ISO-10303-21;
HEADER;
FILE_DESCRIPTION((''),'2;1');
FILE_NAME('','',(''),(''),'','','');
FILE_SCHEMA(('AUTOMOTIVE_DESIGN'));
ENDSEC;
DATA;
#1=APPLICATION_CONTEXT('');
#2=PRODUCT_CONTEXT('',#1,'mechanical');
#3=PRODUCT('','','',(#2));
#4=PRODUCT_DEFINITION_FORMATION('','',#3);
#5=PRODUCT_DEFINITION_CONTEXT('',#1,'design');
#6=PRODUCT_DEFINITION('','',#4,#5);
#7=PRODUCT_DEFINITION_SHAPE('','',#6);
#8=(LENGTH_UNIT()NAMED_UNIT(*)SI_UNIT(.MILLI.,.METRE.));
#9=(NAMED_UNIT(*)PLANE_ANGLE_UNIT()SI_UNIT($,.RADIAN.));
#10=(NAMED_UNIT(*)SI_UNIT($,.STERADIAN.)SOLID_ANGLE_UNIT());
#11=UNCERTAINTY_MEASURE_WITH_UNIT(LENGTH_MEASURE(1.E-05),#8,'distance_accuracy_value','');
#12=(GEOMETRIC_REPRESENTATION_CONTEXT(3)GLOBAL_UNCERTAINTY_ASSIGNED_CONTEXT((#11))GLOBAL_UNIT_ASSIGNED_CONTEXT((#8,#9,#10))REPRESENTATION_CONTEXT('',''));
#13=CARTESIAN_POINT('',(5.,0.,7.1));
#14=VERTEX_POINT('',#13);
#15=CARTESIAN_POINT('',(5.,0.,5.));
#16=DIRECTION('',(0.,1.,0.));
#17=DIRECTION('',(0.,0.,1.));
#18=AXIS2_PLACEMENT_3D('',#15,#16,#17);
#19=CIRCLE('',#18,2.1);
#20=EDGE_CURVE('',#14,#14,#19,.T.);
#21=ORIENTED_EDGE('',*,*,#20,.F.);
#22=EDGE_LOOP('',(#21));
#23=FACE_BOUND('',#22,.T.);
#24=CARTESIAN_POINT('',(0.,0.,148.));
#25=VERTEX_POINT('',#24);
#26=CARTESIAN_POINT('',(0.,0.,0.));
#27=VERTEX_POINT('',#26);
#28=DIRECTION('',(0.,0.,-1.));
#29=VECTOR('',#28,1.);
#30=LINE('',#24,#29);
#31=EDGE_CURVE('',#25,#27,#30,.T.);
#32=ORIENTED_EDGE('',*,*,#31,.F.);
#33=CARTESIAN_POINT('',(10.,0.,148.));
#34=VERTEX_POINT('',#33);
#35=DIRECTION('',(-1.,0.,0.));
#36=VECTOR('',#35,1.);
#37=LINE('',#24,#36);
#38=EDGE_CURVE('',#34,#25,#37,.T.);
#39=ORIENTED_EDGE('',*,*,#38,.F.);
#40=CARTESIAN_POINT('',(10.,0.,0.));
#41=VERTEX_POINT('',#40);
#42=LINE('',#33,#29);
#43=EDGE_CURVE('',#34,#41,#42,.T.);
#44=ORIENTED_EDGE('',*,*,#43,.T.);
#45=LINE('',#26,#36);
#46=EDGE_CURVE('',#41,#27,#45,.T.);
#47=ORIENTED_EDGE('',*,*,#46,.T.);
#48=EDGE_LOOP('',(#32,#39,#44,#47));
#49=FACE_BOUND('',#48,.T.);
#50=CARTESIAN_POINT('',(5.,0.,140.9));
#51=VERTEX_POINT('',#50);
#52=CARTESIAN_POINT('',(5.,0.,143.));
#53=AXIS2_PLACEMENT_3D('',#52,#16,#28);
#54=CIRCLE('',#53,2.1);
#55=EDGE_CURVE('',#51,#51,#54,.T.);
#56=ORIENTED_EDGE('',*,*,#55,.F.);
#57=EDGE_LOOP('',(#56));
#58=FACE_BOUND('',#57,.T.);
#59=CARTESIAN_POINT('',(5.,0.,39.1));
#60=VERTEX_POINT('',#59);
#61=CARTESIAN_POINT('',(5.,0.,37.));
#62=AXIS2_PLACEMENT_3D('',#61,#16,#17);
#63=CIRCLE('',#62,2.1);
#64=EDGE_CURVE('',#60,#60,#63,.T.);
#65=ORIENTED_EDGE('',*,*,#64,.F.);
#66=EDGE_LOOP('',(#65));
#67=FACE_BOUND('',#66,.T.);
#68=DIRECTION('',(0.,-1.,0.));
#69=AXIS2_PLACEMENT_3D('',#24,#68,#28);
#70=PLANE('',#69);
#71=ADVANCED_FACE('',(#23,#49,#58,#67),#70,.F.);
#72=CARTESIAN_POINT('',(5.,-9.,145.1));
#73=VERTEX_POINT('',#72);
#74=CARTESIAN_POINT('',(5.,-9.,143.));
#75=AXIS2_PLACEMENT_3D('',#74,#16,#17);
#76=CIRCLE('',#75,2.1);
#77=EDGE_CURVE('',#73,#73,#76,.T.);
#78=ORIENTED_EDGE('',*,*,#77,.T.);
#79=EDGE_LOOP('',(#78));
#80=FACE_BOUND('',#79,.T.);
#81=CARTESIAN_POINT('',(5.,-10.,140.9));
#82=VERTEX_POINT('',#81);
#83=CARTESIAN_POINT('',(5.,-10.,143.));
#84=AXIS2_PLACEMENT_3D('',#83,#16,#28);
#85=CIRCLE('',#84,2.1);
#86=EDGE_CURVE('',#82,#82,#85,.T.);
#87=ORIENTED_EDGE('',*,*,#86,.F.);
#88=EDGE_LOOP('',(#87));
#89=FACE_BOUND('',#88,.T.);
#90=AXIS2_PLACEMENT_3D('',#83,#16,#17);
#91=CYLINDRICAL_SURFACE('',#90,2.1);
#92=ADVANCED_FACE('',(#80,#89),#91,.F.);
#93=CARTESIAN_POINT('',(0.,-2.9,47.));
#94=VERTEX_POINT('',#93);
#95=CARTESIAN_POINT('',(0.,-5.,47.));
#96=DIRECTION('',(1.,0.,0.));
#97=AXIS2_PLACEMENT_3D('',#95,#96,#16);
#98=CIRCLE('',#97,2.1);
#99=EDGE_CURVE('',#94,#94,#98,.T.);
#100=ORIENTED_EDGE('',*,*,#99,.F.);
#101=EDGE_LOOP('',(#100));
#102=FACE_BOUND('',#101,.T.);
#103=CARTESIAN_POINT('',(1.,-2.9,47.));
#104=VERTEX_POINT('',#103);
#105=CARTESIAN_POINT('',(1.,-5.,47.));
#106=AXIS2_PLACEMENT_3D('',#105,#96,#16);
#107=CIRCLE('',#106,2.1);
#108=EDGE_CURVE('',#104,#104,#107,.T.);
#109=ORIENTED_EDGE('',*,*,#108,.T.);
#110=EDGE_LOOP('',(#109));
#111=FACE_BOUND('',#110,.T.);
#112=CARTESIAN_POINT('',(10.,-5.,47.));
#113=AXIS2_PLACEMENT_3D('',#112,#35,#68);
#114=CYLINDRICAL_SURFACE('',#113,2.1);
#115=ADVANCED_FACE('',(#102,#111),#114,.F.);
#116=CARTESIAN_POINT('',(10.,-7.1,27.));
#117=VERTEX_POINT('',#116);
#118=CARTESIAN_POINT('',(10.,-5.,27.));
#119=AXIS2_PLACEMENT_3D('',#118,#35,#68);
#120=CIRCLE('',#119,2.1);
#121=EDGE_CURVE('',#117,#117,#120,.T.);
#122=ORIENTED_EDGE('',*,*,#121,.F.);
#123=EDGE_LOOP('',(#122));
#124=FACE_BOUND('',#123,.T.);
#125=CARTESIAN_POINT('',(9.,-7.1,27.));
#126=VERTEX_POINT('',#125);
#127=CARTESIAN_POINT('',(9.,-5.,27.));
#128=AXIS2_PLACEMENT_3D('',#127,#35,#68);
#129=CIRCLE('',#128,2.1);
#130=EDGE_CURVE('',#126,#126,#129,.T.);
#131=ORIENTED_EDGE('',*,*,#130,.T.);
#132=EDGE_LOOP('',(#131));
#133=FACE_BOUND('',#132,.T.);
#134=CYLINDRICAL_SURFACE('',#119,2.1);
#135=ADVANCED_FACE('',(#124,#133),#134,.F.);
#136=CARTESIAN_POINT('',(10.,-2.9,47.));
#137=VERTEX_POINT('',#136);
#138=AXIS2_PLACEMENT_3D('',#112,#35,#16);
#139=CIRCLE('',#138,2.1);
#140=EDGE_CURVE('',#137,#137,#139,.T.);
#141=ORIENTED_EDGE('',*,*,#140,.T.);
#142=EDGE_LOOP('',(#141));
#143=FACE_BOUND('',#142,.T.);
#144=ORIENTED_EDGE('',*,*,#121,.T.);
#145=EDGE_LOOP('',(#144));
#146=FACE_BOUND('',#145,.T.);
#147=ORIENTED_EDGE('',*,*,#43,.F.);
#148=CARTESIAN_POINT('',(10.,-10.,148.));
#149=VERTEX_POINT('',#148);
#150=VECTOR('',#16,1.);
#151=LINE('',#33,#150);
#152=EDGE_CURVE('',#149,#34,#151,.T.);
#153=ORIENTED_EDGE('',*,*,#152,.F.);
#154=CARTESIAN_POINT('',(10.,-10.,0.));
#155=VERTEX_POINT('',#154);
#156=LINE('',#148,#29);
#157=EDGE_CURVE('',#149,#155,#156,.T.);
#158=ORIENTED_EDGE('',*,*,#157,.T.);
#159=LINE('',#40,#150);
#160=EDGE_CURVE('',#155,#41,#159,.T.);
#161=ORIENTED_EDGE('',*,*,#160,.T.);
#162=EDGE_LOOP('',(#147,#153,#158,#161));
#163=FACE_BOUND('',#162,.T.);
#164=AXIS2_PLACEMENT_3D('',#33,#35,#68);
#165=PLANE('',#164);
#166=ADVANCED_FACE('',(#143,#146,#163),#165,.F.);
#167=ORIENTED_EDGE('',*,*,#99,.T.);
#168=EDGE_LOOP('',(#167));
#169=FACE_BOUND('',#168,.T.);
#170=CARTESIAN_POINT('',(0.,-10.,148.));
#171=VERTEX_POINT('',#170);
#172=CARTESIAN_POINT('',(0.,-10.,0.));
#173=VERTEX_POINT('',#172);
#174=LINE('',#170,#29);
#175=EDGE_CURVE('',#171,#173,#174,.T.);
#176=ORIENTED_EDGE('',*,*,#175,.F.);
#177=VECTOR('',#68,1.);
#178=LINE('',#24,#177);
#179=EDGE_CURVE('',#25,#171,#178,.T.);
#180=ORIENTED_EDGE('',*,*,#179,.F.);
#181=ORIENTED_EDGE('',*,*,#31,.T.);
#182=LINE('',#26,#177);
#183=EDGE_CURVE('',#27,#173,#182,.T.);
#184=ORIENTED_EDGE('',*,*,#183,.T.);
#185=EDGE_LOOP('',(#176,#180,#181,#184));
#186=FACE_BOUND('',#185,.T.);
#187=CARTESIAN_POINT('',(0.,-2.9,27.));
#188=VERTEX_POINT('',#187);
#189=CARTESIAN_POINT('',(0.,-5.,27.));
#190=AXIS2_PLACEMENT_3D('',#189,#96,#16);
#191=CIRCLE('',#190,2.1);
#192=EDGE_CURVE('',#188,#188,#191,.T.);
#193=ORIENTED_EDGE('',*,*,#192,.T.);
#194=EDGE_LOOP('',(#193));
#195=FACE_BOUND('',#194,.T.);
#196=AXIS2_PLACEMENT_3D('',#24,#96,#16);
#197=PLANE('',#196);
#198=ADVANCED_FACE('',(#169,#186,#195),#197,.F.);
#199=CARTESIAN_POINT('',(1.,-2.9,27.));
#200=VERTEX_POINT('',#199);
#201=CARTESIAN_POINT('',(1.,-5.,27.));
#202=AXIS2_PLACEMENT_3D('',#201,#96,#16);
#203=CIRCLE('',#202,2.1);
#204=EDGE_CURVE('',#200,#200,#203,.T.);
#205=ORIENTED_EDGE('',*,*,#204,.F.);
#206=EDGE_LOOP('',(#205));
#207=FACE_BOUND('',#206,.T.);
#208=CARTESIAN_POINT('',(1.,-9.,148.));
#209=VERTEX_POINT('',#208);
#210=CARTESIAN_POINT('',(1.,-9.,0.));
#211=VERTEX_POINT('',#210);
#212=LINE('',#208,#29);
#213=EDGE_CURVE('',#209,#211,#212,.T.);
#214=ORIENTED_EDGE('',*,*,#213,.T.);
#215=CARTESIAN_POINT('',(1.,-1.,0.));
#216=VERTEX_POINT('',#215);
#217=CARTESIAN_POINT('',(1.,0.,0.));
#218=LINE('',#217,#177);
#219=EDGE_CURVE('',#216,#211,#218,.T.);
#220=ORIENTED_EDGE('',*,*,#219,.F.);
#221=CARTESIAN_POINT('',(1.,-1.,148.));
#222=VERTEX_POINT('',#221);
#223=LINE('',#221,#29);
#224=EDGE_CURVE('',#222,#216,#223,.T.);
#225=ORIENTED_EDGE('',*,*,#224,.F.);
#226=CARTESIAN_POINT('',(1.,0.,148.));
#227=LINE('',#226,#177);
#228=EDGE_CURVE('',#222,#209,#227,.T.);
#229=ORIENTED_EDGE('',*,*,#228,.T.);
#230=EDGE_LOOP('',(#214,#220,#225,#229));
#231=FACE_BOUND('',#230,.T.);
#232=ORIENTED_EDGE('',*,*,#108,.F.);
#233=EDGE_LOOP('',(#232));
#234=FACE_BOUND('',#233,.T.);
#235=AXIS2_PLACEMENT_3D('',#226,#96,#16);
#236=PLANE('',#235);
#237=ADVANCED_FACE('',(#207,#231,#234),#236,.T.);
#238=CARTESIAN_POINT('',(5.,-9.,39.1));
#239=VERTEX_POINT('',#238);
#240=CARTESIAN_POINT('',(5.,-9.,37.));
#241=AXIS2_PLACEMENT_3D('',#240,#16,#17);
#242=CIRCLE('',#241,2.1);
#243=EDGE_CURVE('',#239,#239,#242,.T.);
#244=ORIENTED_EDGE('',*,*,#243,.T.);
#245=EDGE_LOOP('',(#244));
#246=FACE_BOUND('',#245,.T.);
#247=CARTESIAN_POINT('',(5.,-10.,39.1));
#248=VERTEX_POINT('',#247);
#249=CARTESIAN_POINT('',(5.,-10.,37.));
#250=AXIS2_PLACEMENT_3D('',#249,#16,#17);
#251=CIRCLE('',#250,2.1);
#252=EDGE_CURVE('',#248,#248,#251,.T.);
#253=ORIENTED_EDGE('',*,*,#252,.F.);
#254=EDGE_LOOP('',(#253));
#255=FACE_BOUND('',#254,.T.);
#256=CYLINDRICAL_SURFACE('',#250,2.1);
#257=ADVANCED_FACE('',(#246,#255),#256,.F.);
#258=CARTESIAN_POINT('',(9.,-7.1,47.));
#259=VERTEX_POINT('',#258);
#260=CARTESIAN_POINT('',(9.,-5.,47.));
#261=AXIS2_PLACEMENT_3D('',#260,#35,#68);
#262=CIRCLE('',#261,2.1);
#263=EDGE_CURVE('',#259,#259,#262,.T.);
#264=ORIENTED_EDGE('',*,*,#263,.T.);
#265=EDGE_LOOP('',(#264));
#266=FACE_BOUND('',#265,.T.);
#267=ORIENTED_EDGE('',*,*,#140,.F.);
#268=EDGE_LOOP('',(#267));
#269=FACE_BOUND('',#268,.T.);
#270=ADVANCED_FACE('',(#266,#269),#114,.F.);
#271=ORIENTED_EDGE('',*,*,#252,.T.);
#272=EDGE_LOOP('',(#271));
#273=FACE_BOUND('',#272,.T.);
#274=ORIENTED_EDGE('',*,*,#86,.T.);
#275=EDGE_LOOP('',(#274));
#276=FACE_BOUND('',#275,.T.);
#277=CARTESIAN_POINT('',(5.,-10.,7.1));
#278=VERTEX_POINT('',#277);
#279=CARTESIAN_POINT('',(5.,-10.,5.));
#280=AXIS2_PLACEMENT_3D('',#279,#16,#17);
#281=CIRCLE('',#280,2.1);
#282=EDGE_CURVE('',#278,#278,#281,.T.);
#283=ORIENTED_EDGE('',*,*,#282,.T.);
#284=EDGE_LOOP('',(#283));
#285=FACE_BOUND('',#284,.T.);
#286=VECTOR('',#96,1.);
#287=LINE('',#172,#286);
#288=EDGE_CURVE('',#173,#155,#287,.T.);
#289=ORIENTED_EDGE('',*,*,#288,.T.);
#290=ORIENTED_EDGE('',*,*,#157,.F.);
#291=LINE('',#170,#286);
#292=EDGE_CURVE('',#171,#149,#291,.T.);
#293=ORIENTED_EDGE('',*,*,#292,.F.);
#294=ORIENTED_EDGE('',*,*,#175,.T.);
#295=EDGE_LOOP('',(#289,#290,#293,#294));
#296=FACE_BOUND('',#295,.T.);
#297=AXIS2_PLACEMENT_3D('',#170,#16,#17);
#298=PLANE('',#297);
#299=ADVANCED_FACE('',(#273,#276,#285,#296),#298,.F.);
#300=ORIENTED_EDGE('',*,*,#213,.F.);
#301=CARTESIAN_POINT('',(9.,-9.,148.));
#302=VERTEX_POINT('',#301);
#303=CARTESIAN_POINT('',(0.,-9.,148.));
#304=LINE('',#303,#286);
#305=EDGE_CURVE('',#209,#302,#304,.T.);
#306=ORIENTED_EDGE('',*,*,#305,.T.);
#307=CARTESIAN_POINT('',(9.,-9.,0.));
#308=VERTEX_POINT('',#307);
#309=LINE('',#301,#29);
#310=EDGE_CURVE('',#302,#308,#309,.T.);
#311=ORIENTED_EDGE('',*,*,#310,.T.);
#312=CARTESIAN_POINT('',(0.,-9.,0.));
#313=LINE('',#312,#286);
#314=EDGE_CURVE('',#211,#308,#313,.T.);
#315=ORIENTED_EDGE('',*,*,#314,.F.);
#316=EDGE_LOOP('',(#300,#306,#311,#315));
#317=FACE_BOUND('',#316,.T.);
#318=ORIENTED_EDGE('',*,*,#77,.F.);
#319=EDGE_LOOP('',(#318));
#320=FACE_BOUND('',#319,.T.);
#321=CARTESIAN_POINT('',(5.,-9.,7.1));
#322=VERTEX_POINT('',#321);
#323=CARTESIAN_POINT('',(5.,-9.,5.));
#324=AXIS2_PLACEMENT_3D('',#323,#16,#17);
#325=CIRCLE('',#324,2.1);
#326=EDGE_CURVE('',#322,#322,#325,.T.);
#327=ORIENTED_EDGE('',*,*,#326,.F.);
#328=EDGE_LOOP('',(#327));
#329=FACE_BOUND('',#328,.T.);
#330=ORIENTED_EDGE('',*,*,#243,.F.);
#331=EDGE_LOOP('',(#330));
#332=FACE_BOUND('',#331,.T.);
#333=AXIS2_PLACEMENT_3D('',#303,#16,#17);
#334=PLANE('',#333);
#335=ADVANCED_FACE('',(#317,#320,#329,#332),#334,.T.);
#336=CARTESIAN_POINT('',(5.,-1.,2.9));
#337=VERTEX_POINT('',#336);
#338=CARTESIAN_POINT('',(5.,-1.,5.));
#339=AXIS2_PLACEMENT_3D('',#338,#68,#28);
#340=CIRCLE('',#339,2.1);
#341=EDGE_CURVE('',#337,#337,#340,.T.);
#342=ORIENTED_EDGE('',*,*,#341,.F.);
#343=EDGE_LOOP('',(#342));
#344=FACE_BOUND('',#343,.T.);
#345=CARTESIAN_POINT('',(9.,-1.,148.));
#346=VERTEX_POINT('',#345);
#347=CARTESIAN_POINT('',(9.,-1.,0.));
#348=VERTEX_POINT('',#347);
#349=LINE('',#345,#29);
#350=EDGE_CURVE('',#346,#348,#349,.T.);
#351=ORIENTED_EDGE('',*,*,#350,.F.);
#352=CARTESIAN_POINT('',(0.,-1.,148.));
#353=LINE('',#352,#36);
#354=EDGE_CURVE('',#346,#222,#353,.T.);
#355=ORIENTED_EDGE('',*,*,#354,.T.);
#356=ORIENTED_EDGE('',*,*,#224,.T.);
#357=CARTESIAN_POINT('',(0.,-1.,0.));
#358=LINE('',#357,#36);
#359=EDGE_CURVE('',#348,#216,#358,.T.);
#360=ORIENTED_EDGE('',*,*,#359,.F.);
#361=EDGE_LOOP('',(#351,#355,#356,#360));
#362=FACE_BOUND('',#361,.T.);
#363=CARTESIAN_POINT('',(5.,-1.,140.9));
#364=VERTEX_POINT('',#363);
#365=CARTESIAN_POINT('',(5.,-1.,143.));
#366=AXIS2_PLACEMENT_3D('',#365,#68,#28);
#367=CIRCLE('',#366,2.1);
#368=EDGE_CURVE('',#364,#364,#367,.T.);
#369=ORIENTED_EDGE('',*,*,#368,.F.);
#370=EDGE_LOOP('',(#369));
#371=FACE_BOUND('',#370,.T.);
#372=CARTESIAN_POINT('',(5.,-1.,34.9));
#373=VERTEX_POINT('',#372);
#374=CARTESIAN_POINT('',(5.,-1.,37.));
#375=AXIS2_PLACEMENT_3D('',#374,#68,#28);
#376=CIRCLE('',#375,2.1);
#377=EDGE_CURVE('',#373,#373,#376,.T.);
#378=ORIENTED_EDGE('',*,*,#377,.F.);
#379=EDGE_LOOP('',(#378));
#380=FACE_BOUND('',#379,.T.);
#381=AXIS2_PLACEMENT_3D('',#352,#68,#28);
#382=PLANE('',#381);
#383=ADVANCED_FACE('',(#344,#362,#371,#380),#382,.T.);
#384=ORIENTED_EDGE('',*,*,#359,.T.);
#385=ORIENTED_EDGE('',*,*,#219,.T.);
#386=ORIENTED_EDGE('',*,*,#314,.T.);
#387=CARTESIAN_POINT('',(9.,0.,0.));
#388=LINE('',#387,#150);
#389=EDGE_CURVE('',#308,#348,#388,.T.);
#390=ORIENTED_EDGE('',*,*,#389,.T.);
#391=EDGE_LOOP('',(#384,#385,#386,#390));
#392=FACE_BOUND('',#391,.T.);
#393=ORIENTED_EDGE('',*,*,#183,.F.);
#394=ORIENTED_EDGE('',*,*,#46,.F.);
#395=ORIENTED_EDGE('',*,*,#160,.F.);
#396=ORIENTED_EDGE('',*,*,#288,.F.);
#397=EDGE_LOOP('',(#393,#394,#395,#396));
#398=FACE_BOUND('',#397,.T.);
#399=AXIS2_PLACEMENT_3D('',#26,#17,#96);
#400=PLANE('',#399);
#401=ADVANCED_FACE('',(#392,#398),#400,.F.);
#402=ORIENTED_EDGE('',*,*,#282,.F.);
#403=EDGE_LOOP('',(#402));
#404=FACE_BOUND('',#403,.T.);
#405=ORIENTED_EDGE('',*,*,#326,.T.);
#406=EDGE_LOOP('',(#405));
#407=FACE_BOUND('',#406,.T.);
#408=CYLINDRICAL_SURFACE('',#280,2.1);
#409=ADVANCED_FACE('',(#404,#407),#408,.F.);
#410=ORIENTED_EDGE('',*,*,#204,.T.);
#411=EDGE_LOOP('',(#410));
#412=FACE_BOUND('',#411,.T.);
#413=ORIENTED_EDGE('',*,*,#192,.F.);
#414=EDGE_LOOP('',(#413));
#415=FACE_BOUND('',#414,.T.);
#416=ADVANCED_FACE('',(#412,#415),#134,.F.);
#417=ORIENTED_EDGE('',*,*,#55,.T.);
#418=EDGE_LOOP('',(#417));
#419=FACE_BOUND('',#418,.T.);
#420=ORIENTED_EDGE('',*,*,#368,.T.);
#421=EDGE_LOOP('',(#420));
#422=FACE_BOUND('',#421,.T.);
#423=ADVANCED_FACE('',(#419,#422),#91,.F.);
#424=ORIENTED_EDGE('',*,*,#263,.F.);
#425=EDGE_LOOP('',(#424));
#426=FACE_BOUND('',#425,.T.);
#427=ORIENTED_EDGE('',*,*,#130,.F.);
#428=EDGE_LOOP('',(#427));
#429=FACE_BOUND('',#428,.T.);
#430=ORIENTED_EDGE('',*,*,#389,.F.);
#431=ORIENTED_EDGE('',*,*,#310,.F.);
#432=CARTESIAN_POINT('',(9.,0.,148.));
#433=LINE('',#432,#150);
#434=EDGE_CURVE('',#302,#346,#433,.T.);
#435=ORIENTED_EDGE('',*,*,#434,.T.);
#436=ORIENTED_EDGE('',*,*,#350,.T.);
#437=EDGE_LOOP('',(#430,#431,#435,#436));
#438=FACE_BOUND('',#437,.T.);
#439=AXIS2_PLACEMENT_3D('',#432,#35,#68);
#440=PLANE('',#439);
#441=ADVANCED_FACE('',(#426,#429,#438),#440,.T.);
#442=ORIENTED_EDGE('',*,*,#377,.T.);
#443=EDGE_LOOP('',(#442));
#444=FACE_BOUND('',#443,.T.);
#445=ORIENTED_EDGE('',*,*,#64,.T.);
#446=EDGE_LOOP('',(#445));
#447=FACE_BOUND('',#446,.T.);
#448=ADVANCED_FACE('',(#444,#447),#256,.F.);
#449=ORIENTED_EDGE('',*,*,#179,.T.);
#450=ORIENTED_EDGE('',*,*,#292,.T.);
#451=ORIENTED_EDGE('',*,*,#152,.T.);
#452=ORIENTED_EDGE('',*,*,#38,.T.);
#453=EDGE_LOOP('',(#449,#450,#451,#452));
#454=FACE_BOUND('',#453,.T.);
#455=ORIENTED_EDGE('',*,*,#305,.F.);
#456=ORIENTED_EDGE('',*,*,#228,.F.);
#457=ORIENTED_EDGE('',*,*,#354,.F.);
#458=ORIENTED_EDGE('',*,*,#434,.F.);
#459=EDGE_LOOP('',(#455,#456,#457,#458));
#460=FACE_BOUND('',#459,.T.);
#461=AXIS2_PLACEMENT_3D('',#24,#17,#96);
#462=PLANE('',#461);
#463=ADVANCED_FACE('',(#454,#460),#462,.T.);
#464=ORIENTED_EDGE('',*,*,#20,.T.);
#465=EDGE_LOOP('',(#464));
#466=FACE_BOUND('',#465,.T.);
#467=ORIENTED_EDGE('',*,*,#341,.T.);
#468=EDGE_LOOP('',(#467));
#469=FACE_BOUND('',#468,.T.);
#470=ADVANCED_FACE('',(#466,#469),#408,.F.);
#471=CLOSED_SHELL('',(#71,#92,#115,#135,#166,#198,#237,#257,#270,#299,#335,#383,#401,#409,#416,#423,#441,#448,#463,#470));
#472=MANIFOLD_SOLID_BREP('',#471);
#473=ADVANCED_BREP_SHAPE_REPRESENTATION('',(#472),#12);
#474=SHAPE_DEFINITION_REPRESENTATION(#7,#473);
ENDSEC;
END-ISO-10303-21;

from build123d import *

# Parameters (mm, degrees)
SKETCH_1_W               = 10
SKETCH_1_H               = 10
SKETCH_1_W_2             = 8
SKETCH_1_H_2             = 8
EXTRUDE_1_DEPTH          = 148
CUT_EXTRUDE_1_DEPTH      = 149.67414032
CUT_EXTRUDE_1_DEPTH_BACK = 149.67414032
SKETCH_2_R               = 2.1
SKETCH_3_R               = 2.1
CUT_EXTRUDE_2_DEPTH      = 149.67414032


with BuildPart() as part:
    # 草图1 → 拉伸-薄壁1 (new body)
    with BuildSketch(Plane.XY):
        with Locations((5, -5)):
            Rectangle(SKETCH_1_W, SKETCH_1_H)
        with Locations((5, -5)):
            Rectangle(SKETCH_1_W_2, SKETCH_1_H_2, mode=Mode.SUBTRACT)
    extrude(amount=EXTRUDE_1_DEPTH)

    # 草图2 → 切除-拉伸1 (cut, two sides: drawn at the far end of the back side and taken through both)
    with BuildSketch(Plane.ZY.offset(-CUT_EXTRUDE_1_DEPTH_BACK)):
        with Locations(Location((27, -5, 0), (0, 0, 270))):
            Circle(SKETCH_2_R)
        with Locations(Location((47, -5, 0), (0, 0, 270))):
            Circle(SKETCH_2_R)
    extrude(amount=CUT_EXTRUDE_1_DEPTH + CUT_EXTRUDE_1_DEPTH_BACK, mode=Mode.SUBTRACT)

    # 草图3 → 切除-拉伸2 (cut, through all)
    with BuildSketch(Plane(origin=(0, 0, 0), x_dir=(1, 0, 0), z_dir=(0, 1, 0))):
        with Locations(Location((5, -5, 0), (0, 0, 270))):
            Circle(SKETCH_3_R)
        with Locations(Location((5, -143, 0), (0, 0, 90))):
            Circle(SKETCH_3_R)
        with Locations(Location((5, -37, 0), (0, 0, 270))):
            Circle(SKETCH_3_R)
    extrude(amount=-CUT_EXTRUDE_2_DEPTH, mode=Mode.SUBTRACT)


solid = part.part
